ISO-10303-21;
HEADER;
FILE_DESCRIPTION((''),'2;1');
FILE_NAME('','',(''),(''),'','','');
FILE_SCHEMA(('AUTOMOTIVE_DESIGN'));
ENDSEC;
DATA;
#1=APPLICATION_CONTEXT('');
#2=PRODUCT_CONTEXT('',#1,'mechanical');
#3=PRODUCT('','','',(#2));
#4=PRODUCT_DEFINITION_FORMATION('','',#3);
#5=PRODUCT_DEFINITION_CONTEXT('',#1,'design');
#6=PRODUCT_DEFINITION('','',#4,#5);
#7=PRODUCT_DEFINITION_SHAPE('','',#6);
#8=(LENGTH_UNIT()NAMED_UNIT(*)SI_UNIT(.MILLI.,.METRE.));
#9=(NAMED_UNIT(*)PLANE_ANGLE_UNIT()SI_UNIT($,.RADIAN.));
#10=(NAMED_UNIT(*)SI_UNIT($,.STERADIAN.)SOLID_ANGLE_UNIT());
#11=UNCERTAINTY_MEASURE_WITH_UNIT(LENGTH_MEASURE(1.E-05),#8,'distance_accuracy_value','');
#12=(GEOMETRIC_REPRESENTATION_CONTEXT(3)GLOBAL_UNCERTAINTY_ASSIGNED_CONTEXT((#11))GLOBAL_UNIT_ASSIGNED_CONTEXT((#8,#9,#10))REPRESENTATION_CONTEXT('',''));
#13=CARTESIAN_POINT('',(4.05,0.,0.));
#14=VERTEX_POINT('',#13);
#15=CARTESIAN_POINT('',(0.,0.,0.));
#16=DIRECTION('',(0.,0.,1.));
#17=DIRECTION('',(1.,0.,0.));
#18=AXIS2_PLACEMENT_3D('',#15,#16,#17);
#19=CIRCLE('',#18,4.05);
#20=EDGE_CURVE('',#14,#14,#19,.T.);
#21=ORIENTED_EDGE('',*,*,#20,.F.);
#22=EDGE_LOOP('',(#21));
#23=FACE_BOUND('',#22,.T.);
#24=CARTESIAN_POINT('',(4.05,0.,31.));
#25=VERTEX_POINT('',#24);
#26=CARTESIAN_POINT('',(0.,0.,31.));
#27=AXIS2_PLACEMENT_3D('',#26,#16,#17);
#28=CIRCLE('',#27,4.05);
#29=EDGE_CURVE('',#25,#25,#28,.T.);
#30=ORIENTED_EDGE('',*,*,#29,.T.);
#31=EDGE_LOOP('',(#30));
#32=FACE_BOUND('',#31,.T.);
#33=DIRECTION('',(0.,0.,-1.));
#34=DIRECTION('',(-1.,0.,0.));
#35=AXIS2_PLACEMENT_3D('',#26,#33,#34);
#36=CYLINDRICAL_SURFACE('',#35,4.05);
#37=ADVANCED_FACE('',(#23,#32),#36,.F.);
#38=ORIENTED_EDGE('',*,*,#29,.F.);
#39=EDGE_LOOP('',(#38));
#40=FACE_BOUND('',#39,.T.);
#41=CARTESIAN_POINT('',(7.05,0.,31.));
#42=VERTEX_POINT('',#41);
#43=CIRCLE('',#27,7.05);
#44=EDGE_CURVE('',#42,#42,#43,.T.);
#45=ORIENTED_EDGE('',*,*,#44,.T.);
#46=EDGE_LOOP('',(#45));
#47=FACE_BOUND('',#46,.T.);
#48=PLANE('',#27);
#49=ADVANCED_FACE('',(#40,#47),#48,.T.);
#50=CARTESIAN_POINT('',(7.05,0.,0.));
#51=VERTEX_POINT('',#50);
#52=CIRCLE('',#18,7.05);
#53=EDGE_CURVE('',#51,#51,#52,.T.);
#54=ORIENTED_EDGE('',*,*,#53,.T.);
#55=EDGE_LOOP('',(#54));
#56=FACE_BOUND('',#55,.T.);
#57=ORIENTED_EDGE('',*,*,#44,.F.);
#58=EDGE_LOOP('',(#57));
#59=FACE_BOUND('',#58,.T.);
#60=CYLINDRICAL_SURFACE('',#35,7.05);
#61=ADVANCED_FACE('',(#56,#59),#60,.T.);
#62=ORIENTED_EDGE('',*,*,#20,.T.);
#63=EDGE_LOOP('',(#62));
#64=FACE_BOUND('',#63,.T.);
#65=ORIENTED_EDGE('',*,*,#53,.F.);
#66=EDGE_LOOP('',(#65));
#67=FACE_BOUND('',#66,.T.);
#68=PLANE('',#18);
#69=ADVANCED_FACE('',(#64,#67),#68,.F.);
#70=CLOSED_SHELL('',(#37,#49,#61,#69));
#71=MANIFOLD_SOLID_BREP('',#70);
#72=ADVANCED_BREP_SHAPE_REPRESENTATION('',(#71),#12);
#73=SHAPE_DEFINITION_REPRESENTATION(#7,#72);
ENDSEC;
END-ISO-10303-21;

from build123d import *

# Parameters (mm, degrees)
SKETCH1_R           = 7.05
SKETCH1_R_2         = 4.05
BOSS_EXTRUDE1_DEPTH = 31


with BuildPart() as part:
    # Sketch1 → Boss-Extrude1 (new body)
    with BuildSketch(Plane.XY):
        Circle(SKETCH1_R)
        Circle(SKETCH1_R_2, mode=Mode.SUBTRACT)
    extrude(amount=BOSS_EXTRUDE1_DEPTH)


solid = part.part
